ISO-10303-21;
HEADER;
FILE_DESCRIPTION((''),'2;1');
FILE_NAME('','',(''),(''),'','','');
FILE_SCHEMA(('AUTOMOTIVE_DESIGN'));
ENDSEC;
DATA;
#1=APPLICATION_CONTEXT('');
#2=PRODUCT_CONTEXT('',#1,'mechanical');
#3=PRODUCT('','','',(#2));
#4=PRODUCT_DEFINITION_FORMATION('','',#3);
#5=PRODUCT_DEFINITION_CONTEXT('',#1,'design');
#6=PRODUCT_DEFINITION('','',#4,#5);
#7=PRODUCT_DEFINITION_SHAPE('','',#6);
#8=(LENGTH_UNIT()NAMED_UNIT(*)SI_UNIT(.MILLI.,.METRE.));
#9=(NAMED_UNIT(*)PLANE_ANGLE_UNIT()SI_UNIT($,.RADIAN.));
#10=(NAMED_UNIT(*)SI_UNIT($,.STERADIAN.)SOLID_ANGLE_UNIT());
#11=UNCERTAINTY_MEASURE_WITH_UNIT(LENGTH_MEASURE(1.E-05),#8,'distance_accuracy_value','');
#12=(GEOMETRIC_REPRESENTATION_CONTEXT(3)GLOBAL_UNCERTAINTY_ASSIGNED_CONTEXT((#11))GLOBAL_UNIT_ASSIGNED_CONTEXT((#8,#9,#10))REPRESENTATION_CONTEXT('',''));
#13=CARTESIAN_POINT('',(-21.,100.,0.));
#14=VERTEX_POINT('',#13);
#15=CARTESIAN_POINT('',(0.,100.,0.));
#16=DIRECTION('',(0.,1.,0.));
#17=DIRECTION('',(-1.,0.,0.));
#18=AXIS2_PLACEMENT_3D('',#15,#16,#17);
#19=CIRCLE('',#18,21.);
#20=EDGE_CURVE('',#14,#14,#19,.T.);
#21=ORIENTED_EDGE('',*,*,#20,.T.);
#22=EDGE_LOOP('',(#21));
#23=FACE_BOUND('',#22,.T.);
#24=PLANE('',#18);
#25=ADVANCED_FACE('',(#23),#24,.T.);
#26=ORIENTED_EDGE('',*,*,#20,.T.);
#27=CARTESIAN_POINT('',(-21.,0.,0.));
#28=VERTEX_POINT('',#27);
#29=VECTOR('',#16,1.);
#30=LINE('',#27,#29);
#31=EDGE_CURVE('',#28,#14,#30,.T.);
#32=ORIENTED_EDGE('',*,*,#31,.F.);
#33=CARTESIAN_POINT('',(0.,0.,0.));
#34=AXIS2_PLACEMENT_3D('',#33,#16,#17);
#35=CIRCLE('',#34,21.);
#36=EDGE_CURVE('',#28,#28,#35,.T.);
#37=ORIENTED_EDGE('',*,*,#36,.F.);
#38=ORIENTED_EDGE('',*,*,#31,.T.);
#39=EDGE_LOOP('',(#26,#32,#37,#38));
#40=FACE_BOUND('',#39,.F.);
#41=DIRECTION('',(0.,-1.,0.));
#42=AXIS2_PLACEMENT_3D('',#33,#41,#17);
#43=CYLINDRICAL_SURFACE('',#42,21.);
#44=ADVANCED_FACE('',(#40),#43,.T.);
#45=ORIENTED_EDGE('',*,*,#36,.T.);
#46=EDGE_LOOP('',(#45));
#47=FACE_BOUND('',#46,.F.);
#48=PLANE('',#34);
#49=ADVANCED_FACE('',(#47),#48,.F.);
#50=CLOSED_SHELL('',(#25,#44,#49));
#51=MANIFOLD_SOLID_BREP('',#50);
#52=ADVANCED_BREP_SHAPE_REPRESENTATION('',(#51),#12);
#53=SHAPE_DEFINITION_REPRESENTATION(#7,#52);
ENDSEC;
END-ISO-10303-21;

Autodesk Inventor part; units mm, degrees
ref_plane "YZ Plane" through (0, 0, 0) normal (1, 0, 0) x (0, 1, 0)
ref_plane "XZ Plane" through (0, 0, 0) normal (0, 1, 0) x (-1, 0, 0)
ref_plane "XY Plane" through (0, 0, 0) normal (0, 0, 1) x (1, 0, 0)
sketch "Sketch1" plane through (0, 0, 0) normal (0, 1, 0) x (-1, 0, 0)
  circle A0 centre (0, 0) radius 21
  dimension "d0" = 42
extrude "Extrusion1" add sketch "Sketch1" along normal blind 100
properties part number "TubeFormCore21mm"
